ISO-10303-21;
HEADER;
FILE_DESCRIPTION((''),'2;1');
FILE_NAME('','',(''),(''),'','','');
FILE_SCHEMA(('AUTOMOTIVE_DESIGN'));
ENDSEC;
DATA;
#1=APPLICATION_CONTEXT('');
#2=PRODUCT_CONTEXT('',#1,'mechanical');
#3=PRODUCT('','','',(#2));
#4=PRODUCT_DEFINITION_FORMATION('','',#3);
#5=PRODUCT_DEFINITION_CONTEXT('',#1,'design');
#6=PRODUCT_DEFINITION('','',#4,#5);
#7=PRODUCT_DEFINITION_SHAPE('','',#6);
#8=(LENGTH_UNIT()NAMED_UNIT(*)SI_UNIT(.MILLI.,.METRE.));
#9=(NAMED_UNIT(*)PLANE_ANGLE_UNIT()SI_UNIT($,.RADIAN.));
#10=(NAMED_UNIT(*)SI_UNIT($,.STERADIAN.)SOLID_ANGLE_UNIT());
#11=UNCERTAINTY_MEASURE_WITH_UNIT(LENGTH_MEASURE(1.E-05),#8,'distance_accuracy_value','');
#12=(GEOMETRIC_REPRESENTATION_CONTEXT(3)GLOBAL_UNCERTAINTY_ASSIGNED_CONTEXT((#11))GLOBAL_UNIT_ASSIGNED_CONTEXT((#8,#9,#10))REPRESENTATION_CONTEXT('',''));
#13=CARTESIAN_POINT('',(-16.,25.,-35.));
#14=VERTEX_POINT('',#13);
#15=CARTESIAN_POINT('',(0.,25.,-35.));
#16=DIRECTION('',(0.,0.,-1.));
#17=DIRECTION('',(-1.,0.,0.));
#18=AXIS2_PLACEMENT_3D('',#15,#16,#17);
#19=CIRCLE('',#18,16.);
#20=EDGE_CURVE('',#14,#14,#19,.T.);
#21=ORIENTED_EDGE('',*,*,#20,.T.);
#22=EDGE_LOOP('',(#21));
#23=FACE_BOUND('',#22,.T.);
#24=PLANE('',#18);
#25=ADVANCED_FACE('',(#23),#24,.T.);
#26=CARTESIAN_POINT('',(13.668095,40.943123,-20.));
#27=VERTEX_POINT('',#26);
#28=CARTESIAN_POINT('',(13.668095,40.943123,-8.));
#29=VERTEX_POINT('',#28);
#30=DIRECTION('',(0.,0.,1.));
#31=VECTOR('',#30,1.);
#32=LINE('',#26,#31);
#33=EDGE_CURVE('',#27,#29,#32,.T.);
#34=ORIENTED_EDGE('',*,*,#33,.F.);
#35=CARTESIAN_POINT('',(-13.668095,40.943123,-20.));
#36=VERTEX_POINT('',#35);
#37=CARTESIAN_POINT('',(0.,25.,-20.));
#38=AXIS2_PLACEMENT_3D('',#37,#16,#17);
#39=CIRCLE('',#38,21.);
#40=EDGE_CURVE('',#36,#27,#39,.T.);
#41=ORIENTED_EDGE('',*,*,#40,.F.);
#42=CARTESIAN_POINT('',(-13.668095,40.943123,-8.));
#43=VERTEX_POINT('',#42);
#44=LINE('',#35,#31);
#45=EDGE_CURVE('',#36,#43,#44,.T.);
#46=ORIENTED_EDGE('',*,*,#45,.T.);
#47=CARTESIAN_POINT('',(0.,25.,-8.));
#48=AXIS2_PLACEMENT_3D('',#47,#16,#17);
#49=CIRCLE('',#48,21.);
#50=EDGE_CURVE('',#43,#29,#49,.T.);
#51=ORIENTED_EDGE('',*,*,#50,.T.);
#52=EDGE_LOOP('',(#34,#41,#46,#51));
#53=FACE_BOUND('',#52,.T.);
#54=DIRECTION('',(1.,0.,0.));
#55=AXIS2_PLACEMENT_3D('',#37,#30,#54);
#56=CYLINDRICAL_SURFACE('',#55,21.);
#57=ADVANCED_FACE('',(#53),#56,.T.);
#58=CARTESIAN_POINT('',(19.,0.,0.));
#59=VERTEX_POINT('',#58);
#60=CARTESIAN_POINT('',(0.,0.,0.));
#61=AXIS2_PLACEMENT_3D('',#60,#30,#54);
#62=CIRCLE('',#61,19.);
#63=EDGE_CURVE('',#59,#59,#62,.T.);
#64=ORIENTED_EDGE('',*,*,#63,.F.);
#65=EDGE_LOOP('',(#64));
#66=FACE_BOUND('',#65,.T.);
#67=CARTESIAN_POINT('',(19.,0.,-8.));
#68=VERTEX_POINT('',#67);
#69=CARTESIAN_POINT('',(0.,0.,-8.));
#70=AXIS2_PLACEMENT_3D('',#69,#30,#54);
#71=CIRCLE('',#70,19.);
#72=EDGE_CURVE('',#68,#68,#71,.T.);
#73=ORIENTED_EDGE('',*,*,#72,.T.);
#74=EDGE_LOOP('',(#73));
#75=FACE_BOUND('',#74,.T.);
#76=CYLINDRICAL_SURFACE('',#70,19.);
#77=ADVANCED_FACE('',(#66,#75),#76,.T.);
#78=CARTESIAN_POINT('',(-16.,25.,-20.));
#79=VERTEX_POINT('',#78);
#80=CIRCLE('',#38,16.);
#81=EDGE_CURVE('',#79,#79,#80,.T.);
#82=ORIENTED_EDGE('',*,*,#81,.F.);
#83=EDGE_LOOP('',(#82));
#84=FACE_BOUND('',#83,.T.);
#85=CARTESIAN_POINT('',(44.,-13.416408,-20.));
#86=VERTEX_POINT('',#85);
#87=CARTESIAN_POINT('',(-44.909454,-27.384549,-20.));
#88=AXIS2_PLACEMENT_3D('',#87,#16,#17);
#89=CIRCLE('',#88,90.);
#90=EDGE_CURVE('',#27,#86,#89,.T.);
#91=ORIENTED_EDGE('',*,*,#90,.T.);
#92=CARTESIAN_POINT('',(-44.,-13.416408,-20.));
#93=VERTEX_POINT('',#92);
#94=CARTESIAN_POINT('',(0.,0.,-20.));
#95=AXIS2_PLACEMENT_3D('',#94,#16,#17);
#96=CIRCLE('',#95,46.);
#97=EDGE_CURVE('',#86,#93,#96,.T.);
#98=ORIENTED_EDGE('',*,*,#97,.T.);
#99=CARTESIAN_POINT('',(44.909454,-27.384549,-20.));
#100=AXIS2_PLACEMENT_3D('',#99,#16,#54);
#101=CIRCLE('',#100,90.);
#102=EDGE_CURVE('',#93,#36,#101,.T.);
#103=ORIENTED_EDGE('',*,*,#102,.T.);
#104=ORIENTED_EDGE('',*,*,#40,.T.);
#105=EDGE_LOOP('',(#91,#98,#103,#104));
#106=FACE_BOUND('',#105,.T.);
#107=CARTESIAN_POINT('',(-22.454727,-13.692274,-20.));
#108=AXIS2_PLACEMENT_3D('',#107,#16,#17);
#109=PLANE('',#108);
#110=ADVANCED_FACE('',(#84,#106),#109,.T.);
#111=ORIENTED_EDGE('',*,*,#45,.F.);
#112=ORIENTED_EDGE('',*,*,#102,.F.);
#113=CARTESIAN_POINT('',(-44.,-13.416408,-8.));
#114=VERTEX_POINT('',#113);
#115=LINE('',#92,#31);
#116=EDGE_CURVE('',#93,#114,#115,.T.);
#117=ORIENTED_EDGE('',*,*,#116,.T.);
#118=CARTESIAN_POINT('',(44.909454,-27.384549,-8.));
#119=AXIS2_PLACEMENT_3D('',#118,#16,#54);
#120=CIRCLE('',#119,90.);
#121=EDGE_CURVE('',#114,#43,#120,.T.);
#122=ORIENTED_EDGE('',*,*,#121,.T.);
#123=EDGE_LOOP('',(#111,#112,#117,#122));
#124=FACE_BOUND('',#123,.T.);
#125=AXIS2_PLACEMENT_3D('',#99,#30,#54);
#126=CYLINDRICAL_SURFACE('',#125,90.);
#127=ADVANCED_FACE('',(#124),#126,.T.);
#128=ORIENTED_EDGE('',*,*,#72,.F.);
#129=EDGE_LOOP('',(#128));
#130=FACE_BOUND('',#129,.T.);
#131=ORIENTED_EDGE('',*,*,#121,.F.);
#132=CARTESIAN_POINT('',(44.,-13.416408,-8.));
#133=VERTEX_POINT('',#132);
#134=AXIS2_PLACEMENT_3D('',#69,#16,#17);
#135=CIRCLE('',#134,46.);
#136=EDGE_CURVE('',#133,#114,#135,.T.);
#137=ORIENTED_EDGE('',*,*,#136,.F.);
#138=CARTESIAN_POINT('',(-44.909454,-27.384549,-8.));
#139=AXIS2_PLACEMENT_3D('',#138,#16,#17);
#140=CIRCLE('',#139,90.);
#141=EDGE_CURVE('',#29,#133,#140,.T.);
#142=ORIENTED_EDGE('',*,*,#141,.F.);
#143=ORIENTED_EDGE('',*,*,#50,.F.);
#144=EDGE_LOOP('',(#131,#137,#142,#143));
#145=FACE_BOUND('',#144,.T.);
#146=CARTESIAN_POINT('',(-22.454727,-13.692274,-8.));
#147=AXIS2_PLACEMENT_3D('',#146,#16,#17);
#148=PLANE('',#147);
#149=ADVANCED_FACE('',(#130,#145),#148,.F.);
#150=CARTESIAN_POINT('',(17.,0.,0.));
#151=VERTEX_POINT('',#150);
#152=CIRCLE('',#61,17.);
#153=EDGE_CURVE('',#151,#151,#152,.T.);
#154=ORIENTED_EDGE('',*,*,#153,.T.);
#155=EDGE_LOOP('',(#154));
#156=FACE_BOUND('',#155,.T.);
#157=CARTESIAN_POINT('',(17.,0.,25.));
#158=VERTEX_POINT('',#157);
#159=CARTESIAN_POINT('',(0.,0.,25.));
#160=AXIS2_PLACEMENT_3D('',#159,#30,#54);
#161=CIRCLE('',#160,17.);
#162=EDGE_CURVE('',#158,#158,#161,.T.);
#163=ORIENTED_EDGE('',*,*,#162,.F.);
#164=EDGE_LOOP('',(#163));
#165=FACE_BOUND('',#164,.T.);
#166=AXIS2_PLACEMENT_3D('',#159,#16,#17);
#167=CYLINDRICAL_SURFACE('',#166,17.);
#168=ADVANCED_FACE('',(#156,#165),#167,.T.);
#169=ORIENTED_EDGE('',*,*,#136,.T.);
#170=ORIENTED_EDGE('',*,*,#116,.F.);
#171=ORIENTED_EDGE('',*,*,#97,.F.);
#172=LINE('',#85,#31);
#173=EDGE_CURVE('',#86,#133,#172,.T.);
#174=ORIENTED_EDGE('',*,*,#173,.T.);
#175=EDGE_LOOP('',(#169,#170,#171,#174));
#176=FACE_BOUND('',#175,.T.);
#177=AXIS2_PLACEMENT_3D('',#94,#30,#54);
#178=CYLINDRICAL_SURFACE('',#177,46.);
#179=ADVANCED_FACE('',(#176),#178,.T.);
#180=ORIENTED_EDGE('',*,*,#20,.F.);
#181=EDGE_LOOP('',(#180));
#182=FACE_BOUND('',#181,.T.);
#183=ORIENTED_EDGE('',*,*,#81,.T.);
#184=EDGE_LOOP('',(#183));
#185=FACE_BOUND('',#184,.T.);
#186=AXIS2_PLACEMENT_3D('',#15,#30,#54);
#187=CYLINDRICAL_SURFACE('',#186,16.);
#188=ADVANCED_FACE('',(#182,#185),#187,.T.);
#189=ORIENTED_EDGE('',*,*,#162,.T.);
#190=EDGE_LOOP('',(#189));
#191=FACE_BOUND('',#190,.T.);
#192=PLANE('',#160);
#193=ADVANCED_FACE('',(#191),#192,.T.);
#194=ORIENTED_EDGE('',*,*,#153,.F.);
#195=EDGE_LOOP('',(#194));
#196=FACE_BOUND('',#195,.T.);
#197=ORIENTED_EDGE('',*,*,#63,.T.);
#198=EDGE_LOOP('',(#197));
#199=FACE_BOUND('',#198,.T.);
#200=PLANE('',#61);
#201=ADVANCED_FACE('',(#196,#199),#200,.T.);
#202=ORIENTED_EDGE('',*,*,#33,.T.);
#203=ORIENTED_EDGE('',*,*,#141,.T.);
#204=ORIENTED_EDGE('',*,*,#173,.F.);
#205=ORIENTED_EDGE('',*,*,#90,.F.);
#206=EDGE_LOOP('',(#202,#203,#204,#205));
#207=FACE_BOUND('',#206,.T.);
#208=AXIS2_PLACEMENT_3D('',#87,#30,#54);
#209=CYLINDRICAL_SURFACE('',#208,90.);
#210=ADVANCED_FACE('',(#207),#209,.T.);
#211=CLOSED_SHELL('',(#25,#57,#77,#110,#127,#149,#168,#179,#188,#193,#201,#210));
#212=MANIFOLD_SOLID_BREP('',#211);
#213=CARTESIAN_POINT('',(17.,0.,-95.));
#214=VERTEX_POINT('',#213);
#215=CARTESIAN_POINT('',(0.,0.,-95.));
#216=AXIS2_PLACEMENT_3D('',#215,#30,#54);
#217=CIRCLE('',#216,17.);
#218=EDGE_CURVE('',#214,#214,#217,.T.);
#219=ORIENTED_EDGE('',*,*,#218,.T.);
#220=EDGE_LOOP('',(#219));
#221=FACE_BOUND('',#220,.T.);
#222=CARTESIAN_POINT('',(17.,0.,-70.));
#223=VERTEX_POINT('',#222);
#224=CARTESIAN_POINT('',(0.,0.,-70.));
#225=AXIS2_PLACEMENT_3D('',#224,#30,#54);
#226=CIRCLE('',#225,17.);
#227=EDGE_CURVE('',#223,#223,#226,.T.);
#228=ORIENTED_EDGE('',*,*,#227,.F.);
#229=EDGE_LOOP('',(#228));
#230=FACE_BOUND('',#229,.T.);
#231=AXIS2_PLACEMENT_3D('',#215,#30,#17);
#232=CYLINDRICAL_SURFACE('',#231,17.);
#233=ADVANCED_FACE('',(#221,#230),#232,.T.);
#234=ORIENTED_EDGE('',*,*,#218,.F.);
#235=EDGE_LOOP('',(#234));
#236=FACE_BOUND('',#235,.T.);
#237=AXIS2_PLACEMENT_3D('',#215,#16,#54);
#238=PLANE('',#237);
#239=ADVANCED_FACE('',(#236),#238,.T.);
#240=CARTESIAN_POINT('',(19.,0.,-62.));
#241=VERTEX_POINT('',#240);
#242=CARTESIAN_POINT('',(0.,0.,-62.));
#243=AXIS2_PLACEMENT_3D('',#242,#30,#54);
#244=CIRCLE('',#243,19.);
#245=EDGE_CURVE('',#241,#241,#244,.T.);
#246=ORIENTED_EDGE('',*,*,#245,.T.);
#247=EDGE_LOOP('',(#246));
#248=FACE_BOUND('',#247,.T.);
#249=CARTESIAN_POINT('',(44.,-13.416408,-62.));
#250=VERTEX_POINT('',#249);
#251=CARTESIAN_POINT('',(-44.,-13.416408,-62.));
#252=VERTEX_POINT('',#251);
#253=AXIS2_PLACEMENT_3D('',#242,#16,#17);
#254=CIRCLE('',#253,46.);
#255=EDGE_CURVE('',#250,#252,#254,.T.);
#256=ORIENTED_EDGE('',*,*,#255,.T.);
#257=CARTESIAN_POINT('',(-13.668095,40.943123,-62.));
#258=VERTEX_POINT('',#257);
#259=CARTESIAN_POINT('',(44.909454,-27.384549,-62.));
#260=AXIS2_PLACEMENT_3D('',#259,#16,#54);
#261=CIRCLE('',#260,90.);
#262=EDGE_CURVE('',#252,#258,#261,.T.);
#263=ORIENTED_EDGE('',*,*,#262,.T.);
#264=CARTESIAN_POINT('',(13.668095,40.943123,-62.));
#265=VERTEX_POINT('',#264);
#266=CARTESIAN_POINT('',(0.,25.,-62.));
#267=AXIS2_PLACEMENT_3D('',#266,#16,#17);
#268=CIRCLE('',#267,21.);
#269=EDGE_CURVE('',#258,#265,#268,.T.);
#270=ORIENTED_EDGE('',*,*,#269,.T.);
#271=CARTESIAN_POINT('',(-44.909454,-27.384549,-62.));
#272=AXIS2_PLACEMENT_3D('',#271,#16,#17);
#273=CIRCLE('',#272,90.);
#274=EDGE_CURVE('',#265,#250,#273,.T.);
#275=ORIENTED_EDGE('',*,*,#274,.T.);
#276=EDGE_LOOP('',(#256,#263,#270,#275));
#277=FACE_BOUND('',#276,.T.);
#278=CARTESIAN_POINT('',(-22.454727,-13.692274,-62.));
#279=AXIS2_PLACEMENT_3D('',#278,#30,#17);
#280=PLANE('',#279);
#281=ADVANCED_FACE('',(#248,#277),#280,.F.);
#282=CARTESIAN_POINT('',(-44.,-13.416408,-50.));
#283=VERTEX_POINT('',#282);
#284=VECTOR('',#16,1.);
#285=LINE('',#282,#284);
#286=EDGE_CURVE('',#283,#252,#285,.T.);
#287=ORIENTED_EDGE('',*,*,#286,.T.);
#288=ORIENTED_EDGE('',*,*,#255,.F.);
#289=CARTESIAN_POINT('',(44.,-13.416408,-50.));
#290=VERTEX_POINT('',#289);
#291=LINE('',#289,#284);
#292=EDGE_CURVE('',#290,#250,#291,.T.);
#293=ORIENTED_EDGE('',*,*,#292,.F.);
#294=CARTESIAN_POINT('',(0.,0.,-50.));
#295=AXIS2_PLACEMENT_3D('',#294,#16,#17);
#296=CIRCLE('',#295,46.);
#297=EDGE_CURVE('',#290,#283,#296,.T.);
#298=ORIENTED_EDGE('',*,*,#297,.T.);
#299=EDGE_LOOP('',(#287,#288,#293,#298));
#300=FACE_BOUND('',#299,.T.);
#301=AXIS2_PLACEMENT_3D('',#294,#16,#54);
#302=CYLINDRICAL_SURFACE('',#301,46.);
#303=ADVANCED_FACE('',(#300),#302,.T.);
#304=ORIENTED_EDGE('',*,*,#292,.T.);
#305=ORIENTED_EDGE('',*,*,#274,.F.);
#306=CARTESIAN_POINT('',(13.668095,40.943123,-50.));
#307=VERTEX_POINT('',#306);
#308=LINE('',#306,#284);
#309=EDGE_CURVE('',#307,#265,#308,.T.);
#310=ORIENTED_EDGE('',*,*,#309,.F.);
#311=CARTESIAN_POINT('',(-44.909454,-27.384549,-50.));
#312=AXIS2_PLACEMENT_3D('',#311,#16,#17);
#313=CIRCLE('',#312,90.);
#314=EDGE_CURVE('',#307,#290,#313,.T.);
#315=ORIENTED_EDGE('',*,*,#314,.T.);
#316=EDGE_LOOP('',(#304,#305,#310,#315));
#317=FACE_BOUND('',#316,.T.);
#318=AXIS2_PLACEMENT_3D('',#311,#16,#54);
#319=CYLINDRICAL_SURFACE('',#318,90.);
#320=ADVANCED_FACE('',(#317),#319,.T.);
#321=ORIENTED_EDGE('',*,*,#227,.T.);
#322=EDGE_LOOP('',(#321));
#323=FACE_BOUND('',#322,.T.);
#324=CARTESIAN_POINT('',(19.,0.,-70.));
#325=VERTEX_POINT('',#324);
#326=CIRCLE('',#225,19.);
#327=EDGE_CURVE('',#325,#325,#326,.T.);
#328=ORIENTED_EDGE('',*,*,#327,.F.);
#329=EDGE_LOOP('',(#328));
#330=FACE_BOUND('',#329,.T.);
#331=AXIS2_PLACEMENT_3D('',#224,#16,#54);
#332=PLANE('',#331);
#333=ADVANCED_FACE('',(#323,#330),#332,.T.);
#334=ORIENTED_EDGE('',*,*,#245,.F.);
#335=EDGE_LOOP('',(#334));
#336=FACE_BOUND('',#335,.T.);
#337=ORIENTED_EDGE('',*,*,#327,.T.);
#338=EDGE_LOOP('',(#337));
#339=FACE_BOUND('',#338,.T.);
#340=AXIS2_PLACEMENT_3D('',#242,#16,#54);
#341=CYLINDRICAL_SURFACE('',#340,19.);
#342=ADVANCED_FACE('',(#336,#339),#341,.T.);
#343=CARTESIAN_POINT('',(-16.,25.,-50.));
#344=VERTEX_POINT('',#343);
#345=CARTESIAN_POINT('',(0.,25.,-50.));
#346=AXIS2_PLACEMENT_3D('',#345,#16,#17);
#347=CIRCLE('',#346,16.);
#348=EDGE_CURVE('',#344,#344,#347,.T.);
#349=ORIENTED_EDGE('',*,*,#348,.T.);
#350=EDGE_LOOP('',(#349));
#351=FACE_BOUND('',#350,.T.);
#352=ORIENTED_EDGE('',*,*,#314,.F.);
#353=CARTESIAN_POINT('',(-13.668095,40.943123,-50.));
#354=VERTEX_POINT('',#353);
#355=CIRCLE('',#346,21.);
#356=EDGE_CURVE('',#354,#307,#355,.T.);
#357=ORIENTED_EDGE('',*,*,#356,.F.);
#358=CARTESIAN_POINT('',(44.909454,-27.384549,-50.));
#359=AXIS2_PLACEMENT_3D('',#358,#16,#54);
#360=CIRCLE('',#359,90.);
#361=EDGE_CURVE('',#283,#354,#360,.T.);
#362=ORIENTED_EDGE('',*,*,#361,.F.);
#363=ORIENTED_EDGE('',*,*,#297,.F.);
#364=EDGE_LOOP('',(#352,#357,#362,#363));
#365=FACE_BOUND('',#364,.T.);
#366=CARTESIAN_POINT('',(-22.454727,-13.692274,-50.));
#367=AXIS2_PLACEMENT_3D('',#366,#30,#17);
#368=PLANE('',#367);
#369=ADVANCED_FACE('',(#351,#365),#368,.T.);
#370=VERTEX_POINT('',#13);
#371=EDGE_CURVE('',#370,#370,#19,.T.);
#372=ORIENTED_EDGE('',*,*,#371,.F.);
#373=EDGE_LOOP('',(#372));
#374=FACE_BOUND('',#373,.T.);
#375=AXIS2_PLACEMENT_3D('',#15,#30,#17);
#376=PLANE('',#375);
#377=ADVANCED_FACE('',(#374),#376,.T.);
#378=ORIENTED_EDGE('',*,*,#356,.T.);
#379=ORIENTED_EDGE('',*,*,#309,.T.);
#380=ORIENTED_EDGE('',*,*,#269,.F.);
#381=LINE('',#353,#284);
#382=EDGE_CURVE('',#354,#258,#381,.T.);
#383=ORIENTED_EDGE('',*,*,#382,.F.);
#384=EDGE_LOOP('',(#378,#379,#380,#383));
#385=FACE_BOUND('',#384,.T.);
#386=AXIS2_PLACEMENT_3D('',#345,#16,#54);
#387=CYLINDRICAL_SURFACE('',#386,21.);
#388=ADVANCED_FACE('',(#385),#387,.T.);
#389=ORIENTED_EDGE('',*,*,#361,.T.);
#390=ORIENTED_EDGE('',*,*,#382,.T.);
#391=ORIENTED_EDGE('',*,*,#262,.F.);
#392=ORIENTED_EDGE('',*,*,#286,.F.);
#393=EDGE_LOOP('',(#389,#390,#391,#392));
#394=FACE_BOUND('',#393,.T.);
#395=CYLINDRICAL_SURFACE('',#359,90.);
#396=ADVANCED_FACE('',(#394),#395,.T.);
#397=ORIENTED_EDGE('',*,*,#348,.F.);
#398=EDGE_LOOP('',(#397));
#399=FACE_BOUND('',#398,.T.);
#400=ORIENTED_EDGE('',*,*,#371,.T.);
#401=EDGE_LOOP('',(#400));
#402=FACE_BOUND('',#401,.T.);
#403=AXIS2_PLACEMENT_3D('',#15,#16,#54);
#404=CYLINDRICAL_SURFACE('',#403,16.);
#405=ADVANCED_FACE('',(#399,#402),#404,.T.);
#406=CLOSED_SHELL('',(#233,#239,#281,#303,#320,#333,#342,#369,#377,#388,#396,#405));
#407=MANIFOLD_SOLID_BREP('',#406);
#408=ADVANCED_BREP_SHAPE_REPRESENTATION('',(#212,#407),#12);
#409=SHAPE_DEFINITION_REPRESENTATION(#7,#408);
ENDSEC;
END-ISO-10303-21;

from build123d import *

# Parameters (mm, degrees)
SKETCH1_R           = 17
BOSS_EXTRUDE1_DEPTH = 25
SKETCH2_R           = 19
BOSS_EXTRUDE2_DEPTH = 8
BOSS_EXTRUDE3_DEPTH = 12
SKETCH4_R           = 16
BOSS_EXTRUDE4_DEPTH = 15


with BuildPart() as part:
    # Sketch1 → Boss-Extrude1 (new body)
    with BuildSketch(Plane.XY):
        Circle(SKETCH1_R)
    extrude(amount=BOSS_EXTRUDE1_DEPTH)

    # Sketch2 → Boss-Extrude2 (add)
    with BuildSketch(Plane.XY):
        Circle(SKETCH2_R)
    extrude(amount=-BOSS_EXTRUDE2_DEPTH)

    # Sketch3 → Boss-Extrude3 (add)
    with BuildSketch(Plane(origin=(0, 0, -8), x_dir=(-1, 0, 0), z_dir=(0, 0, -1))):
        with BuildLine():
            ThreePointArc((-44, -13.416407865), (0, -46), (44, -13.416407865))
            ThreePointArc((44, -13.416407865), (33.683444249, 16.469257624), (13.668094758, 40.943123461))
            ThreePointArc((13.668094758, 40.943123461), (0, 46), (-13.668094758, 40.943123461))
            ThreePointArc((-13.668094758, 40.943123461), (-33.683444249, 16.469257624), (-44, -13.416407865))
        make_face()
    extrude(amount=BOSS_EXTRUDE3_DEPTH)

    # Sketch4 → Boss-Extrude4 (add)
    with BuildSketch(Plane(origin=(0, 0, -20), x_dir=(-1, 0, 0), z_dir=(0, 0, -1))):
        with Locations((0, 25)):
            Circle(SKETCH4_R)
    extrude(amount=BOSS_EXTRUDE4_DEPTH)


with BuildPart() as body_2:
    # Mirror1: mirrored copy
    add(part.part.mirror(Plane(origin=(0, 25, -35), x_dir=(1, 0, 0), z_dir=(0, 0, -1))))


solid = Compound([part.part, body_2.part])
